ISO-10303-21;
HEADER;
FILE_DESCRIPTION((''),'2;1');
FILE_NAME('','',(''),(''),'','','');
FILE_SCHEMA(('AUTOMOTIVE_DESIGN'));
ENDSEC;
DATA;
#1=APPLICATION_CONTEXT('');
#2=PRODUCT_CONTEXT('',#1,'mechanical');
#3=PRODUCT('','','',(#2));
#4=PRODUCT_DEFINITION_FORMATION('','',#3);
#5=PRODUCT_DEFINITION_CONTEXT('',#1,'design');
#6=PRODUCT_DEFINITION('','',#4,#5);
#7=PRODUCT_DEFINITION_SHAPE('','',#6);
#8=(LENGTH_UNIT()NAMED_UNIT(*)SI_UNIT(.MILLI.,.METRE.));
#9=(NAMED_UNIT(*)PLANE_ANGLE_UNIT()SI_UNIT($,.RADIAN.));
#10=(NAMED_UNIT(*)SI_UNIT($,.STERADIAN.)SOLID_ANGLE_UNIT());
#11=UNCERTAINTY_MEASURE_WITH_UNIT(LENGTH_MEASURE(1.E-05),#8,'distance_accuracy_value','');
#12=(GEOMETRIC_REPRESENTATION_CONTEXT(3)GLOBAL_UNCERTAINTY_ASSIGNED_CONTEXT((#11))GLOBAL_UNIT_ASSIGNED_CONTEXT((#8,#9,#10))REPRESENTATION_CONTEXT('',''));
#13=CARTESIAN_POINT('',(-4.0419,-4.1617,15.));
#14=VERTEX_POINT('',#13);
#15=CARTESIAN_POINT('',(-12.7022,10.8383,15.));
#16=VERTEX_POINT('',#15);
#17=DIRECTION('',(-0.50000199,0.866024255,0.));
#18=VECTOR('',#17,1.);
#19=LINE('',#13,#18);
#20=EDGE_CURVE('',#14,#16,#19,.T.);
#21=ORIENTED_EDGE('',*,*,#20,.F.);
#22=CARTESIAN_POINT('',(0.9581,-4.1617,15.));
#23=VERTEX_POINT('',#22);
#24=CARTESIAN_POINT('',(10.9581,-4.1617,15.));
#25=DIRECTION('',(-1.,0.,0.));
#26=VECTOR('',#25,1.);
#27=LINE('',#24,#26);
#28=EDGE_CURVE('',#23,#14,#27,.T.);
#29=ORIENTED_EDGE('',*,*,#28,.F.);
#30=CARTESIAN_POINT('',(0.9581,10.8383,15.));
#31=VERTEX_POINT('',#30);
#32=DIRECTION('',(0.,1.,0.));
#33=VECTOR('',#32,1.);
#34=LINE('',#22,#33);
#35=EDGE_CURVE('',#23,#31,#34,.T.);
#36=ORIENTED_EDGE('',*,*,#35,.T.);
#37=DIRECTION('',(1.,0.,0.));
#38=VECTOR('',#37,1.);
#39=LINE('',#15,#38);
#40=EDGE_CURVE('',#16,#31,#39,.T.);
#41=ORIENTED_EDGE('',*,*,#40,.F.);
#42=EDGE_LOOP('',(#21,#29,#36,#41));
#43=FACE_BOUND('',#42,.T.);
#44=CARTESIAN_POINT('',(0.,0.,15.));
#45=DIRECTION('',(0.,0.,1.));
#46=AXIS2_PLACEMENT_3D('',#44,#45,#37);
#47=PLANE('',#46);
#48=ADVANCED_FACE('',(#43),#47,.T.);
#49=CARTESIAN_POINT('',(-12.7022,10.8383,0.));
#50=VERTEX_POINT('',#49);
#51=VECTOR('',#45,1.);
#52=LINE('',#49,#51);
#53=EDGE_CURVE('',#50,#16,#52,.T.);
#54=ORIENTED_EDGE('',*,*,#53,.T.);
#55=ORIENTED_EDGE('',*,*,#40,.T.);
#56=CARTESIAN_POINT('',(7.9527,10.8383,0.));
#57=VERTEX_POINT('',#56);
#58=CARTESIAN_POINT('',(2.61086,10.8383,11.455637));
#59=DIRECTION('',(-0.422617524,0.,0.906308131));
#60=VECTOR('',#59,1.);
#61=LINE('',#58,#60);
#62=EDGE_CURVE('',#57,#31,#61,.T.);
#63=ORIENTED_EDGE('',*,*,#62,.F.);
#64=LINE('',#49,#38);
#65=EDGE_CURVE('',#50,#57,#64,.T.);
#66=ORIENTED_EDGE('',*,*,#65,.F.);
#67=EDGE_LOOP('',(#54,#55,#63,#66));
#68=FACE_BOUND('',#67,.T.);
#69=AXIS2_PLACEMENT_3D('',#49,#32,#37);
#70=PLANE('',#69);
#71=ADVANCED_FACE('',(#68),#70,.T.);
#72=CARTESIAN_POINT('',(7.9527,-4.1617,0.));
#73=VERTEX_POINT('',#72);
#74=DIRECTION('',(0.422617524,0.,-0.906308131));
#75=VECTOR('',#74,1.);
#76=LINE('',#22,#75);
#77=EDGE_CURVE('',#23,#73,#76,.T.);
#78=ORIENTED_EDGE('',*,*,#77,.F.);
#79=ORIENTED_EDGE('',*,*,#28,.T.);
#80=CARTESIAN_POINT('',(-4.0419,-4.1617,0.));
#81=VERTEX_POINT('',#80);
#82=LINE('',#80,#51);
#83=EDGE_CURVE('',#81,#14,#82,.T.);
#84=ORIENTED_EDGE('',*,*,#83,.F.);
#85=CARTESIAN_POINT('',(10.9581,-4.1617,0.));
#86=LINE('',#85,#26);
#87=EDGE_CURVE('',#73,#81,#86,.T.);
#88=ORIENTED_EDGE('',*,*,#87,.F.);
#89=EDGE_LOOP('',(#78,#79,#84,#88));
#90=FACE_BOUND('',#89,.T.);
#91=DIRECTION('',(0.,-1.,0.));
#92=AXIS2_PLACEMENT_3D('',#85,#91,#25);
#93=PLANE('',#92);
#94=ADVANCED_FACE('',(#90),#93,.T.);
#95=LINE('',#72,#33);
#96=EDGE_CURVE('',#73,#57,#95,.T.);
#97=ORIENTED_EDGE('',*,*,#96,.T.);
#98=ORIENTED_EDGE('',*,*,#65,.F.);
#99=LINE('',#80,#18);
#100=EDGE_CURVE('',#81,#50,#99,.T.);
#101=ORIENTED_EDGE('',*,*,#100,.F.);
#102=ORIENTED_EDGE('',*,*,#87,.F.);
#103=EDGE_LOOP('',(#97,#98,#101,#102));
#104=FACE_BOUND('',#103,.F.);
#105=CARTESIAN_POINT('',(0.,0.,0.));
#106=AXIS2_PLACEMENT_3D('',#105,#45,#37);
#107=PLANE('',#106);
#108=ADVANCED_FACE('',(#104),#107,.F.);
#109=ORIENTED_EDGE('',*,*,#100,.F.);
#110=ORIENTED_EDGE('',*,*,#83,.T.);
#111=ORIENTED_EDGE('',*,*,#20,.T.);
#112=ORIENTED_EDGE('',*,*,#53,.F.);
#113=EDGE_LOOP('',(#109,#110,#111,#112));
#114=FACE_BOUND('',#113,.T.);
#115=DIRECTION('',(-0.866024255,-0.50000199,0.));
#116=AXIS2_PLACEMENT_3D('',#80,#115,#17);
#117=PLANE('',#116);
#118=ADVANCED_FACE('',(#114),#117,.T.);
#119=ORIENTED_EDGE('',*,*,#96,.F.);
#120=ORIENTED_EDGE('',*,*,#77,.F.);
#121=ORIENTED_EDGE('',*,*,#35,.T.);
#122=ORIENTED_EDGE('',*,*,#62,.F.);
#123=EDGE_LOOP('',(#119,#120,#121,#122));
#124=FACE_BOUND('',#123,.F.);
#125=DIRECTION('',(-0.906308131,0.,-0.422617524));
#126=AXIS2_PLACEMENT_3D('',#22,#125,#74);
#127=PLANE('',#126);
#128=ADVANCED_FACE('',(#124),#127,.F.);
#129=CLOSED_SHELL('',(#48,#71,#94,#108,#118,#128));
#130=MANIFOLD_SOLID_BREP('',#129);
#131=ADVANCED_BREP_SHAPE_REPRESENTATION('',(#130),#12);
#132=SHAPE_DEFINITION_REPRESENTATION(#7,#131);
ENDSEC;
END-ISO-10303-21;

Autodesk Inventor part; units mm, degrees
ref_plane "YZ Plane" through (0, 0, 0) normal (1, 0, 0) x (0, 1, 0)
ref_plane "XZ Plane" through (0, 0, 0) normal (0, 1, 0) x (-1, 0, 0)
ref_plane "XY Plane" through (0, 0, 0) normal (0, 0, 1) x (1, 0, 0)
sketch "Sketch1" plane through (0, 0, 0) normal (0, 0, 1) x (1, 0, 0)
  line L0 (-12.7022, 10.8383) -> (10.9581, 10.8383)
  line L1 (10.9581, 10.8383) -> (10.9581, -4.1617)
  line L2 (10.9581, -4.1617) -> (-4.0419, -4.1617)
  line L3 (-4.0419, -4.1617) -> (-12.7022, 10.8383)
  point P0 (0, 0)
  dimension "d0" = 15
  dimension "d1" = 15
  dimension "d3" = 120
extrude "Extrusion1" add sketch "Sketch1" along normal blind 15
sketch "Sketch2" plane through (-4.0419, -4.1617, 0) normal (0, -1, 0) x (1, 0, 0)
  line L0 (15, 15) -> (0, 15) projected
  line L1 (15, 0) -> (0, 0) projected
  line L2 (15, 0) -> (15, 15) projected
  line L3 (5, 15) -> (11.9946, 0)
  point P0 (4.0419, 0)
  dimension "d6" = 5
  dimension "d7" = 65
extrude "Extrusion2" cut sketch "Sketch2" against normal through all
properties part number "lesson2"
